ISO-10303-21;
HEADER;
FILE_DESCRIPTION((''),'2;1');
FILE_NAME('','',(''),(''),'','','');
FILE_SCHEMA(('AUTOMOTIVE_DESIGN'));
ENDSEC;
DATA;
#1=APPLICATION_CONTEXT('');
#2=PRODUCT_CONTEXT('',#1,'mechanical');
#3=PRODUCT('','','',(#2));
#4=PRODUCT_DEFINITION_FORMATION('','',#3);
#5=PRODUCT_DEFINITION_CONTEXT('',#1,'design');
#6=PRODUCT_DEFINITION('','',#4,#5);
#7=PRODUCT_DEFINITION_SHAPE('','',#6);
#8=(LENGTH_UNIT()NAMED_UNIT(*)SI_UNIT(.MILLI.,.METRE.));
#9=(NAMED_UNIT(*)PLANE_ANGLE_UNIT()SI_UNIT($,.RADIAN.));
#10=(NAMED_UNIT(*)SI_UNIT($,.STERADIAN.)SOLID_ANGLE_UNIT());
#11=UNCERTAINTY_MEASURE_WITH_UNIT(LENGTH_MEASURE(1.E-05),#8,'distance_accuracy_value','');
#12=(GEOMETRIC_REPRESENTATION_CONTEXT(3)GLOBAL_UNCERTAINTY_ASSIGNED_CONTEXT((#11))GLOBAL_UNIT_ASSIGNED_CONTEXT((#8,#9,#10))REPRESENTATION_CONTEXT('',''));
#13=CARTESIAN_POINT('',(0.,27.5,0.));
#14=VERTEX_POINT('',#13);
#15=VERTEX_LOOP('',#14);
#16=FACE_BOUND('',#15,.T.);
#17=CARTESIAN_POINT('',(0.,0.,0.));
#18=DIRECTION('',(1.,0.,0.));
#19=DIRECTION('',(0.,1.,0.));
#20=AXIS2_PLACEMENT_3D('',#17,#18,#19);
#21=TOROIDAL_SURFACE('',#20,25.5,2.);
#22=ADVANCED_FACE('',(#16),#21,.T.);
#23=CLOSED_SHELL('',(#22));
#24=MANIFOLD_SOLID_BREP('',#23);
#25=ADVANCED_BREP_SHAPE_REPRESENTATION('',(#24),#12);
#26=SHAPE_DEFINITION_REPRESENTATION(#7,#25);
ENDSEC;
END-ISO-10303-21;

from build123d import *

# Parameters (mm, degrees)
SKETCH_1_R = 2


with BuildPart() as part:
    # Эскиз1 → Повернуть1 (revolve)
    with BuildSketch(Plane.XY):
        with Locations((0, 25.5)):
            Circle(SKETCH_1_R)
    revolve(axis=Axis((0, 0, 0), (-1, 0, 0)))


solid = part.part
